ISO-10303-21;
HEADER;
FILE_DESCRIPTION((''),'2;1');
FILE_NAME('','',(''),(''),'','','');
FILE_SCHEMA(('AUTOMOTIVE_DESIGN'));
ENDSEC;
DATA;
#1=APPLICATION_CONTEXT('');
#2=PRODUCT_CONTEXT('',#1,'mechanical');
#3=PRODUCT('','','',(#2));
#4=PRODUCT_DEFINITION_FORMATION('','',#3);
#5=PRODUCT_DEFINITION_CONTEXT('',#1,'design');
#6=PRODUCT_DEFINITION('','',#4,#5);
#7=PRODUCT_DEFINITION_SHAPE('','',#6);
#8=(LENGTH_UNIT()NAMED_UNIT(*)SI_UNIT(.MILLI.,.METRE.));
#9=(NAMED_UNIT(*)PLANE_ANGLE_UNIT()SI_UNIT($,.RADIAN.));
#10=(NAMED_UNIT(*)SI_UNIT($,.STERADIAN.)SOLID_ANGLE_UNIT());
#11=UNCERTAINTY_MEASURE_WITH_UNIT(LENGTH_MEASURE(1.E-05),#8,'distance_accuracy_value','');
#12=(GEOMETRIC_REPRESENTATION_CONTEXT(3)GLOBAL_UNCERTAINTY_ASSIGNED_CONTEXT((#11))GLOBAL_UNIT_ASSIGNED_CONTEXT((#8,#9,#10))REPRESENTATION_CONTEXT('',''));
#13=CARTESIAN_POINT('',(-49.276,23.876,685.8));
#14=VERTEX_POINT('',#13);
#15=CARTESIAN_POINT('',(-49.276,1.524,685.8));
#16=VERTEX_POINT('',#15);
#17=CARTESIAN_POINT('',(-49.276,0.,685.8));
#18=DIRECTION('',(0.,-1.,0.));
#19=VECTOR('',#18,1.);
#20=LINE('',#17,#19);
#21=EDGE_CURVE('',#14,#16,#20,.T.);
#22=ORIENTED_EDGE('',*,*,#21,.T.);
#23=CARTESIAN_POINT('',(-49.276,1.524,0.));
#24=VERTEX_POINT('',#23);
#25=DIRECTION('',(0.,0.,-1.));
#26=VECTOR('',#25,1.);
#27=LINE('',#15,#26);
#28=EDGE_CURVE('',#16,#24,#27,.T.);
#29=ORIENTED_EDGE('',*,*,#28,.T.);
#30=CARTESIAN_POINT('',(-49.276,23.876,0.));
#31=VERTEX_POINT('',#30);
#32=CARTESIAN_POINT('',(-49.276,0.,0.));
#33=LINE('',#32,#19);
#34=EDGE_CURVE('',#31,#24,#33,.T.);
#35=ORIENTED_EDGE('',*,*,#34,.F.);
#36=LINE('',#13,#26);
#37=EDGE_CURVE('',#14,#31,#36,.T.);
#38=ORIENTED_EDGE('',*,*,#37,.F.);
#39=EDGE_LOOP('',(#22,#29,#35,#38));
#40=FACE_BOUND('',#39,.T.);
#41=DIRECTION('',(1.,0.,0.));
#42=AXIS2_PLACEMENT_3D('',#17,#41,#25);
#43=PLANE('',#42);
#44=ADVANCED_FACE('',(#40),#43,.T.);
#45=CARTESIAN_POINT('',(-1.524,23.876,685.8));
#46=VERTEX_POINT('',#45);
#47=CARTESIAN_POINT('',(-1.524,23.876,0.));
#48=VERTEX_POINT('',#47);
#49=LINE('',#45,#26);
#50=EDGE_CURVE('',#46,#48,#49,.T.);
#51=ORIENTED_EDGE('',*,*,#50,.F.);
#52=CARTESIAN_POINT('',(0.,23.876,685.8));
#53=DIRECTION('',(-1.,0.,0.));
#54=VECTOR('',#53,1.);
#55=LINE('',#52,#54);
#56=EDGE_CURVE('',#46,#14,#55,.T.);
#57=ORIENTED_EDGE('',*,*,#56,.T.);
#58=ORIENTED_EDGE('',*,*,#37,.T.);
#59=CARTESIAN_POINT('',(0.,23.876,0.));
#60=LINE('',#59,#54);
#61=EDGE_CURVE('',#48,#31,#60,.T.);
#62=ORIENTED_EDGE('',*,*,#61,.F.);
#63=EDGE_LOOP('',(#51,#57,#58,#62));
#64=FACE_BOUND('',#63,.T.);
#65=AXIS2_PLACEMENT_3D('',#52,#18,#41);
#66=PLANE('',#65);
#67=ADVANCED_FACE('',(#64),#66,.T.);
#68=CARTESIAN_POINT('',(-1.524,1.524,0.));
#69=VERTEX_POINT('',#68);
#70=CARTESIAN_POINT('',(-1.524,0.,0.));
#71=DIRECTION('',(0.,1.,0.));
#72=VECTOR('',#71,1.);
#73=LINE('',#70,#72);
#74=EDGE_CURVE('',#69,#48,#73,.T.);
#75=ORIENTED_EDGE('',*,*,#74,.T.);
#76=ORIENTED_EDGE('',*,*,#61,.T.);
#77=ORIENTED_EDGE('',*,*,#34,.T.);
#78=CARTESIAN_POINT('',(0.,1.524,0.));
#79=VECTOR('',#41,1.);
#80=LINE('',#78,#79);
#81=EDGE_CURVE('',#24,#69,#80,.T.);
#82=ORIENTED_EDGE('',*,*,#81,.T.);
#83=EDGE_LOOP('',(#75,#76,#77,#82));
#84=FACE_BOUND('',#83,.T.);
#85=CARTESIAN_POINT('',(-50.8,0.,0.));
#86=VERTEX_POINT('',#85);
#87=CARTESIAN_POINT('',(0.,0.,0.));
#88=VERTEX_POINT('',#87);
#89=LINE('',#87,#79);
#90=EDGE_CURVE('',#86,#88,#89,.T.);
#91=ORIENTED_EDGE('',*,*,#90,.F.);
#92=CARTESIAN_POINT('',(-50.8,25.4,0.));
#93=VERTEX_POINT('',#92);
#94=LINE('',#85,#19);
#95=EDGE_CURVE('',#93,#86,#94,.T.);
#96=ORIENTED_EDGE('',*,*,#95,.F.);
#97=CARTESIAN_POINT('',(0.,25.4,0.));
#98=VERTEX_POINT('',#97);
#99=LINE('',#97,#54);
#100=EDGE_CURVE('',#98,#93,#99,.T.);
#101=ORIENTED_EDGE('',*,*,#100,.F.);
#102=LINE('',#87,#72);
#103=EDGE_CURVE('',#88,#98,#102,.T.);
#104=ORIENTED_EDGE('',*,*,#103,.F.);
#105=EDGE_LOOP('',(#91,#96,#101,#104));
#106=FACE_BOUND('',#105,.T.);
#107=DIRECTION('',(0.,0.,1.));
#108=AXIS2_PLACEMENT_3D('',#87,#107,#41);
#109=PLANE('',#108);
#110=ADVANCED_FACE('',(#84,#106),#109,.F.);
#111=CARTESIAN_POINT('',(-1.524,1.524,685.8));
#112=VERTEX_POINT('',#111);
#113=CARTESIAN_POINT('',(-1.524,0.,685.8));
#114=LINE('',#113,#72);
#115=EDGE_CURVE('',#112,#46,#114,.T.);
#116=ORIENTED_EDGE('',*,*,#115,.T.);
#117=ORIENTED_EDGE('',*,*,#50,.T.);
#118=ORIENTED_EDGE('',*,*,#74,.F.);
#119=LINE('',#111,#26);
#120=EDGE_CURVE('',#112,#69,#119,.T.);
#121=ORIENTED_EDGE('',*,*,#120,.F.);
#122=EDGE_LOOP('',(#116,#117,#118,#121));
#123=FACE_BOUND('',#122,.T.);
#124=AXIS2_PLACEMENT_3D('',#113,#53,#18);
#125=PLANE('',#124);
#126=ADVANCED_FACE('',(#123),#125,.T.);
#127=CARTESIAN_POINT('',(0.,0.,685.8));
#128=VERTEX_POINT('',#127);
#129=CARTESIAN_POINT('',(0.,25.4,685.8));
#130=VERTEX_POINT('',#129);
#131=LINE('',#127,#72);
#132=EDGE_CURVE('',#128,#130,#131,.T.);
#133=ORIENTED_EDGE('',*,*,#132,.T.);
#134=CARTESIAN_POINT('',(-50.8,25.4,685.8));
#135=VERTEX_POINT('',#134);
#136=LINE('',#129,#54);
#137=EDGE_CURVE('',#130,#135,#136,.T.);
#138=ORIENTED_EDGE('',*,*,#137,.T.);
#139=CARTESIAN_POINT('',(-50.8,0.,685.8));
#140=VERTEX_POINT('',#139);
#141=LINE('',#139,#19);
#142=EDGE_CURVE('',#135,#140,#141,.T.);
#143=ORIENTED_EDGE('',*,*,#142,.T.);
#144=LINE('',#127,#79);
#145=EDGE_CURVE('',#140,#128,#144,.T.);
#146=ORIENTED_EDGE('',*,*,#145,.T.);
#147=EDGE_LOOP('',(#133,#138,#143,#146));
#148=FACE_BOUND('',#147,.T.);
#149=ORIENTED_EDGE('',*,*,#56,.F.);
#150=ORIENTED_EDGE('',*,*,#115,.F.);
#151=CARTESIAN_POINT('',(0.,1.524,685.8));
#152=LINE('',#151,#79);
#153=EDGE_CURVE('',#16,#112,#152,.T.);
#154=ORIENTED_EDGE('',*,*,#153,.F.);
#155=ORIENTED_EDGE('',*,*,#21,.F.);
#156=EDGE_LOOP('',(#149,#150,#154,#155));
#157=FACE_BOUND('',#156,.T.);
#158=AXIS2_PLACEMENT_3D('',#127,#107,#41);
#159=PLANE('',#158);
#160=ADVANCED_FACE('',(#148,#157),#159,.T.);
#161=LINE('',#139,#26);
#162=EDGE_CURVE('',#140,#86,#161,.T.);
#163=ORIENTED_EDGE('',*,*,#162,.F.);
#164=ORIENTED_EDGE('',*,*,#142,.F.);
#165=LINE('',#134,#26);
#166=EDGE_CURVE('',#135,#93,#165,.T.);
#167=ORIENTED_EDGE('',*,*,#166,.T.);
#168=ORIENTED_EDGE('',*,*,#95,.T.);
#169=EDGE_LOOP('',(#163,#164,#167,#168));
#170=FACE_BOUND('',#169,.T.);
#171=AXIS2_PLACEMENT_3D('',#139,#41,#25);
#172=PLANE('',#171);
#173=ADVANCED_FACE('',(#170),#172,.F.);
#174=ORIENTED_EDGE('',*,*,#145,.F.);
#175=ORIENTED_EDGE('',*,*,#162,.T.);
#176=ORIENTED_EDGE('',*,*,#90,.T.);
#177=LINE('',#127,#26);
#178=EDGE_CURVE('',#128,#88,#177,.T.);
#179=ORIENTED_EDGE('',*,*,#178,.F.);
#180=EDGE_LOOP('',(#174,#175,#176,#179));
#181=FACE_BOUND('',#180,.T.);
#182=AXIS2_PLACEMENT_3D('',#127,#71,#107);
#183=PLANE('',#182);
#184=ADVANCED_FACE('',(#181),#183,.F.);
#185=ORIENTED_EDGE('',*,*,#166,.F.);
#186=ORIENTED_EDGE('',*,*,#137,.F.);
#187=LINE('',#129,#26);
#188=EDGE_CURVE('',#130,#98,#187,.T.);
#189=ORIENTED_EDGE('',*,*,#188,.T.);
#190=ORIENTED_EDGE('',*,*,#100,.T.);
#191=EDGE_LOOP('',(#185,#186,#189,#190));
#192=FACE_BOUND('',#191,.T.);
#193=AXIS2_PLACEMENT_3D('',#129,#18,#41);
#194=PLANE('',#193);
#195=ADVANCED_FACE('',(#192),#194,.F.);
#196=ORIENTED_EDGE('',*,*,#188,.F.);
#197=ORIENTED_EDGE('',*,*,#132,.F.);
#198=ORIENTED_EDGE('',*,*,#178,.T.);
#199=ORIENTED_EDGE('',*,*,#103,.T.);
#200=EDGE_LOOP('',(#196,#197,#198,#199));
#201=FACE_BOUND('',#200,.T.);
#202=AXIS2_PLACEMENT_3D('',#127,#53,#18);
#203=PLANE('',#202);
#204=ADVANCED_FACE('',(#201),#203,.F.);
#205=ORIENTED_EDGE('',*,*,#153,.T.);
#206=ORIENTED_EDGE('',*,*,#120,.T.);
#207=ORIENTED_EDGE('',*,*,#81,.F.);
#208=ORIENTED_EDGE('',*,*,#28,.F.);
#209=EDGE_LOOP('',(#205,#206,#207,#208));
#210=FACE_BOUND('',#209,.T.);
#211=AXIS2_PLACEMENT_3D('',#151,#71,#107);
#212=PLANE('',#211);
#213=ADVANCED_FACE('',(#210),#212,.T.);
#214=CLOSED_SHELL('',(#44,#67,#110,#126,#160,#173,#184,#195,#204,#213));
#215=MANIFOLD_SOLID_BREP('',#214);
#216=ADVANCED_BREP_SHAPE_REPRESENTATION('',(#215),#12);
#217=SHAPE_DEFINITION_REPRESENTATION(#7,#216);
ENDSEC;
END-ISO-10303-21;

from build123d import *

# Parameters (mm, degrees)
SKETCH2_W           = 50.8
SKETCH2_H           = 25.4
SKETCH2_W_2         = 47.752
SKETCH2_H_2         = 22.352
EXTRUDE_THIN1_DEPTH = 685.8


with BuildPart() as part:
    # Sketch2 → Extrude-Thin1 (new body)
    with BuildSketch(Plane.XY):
        with Locations((-25.4, 12.7)):
            Rectangle(SKETCH2_W, SKETCH2_H)
        with Locations((-25.4, 12.7)):
            Rectangle(SKETCH2_W_2, SKETCH2_H_2, mode=Mode.SUBTRACT)
    extrude(amount=EXTRUDE_THIN1_DEPTH)


solid = part.part
